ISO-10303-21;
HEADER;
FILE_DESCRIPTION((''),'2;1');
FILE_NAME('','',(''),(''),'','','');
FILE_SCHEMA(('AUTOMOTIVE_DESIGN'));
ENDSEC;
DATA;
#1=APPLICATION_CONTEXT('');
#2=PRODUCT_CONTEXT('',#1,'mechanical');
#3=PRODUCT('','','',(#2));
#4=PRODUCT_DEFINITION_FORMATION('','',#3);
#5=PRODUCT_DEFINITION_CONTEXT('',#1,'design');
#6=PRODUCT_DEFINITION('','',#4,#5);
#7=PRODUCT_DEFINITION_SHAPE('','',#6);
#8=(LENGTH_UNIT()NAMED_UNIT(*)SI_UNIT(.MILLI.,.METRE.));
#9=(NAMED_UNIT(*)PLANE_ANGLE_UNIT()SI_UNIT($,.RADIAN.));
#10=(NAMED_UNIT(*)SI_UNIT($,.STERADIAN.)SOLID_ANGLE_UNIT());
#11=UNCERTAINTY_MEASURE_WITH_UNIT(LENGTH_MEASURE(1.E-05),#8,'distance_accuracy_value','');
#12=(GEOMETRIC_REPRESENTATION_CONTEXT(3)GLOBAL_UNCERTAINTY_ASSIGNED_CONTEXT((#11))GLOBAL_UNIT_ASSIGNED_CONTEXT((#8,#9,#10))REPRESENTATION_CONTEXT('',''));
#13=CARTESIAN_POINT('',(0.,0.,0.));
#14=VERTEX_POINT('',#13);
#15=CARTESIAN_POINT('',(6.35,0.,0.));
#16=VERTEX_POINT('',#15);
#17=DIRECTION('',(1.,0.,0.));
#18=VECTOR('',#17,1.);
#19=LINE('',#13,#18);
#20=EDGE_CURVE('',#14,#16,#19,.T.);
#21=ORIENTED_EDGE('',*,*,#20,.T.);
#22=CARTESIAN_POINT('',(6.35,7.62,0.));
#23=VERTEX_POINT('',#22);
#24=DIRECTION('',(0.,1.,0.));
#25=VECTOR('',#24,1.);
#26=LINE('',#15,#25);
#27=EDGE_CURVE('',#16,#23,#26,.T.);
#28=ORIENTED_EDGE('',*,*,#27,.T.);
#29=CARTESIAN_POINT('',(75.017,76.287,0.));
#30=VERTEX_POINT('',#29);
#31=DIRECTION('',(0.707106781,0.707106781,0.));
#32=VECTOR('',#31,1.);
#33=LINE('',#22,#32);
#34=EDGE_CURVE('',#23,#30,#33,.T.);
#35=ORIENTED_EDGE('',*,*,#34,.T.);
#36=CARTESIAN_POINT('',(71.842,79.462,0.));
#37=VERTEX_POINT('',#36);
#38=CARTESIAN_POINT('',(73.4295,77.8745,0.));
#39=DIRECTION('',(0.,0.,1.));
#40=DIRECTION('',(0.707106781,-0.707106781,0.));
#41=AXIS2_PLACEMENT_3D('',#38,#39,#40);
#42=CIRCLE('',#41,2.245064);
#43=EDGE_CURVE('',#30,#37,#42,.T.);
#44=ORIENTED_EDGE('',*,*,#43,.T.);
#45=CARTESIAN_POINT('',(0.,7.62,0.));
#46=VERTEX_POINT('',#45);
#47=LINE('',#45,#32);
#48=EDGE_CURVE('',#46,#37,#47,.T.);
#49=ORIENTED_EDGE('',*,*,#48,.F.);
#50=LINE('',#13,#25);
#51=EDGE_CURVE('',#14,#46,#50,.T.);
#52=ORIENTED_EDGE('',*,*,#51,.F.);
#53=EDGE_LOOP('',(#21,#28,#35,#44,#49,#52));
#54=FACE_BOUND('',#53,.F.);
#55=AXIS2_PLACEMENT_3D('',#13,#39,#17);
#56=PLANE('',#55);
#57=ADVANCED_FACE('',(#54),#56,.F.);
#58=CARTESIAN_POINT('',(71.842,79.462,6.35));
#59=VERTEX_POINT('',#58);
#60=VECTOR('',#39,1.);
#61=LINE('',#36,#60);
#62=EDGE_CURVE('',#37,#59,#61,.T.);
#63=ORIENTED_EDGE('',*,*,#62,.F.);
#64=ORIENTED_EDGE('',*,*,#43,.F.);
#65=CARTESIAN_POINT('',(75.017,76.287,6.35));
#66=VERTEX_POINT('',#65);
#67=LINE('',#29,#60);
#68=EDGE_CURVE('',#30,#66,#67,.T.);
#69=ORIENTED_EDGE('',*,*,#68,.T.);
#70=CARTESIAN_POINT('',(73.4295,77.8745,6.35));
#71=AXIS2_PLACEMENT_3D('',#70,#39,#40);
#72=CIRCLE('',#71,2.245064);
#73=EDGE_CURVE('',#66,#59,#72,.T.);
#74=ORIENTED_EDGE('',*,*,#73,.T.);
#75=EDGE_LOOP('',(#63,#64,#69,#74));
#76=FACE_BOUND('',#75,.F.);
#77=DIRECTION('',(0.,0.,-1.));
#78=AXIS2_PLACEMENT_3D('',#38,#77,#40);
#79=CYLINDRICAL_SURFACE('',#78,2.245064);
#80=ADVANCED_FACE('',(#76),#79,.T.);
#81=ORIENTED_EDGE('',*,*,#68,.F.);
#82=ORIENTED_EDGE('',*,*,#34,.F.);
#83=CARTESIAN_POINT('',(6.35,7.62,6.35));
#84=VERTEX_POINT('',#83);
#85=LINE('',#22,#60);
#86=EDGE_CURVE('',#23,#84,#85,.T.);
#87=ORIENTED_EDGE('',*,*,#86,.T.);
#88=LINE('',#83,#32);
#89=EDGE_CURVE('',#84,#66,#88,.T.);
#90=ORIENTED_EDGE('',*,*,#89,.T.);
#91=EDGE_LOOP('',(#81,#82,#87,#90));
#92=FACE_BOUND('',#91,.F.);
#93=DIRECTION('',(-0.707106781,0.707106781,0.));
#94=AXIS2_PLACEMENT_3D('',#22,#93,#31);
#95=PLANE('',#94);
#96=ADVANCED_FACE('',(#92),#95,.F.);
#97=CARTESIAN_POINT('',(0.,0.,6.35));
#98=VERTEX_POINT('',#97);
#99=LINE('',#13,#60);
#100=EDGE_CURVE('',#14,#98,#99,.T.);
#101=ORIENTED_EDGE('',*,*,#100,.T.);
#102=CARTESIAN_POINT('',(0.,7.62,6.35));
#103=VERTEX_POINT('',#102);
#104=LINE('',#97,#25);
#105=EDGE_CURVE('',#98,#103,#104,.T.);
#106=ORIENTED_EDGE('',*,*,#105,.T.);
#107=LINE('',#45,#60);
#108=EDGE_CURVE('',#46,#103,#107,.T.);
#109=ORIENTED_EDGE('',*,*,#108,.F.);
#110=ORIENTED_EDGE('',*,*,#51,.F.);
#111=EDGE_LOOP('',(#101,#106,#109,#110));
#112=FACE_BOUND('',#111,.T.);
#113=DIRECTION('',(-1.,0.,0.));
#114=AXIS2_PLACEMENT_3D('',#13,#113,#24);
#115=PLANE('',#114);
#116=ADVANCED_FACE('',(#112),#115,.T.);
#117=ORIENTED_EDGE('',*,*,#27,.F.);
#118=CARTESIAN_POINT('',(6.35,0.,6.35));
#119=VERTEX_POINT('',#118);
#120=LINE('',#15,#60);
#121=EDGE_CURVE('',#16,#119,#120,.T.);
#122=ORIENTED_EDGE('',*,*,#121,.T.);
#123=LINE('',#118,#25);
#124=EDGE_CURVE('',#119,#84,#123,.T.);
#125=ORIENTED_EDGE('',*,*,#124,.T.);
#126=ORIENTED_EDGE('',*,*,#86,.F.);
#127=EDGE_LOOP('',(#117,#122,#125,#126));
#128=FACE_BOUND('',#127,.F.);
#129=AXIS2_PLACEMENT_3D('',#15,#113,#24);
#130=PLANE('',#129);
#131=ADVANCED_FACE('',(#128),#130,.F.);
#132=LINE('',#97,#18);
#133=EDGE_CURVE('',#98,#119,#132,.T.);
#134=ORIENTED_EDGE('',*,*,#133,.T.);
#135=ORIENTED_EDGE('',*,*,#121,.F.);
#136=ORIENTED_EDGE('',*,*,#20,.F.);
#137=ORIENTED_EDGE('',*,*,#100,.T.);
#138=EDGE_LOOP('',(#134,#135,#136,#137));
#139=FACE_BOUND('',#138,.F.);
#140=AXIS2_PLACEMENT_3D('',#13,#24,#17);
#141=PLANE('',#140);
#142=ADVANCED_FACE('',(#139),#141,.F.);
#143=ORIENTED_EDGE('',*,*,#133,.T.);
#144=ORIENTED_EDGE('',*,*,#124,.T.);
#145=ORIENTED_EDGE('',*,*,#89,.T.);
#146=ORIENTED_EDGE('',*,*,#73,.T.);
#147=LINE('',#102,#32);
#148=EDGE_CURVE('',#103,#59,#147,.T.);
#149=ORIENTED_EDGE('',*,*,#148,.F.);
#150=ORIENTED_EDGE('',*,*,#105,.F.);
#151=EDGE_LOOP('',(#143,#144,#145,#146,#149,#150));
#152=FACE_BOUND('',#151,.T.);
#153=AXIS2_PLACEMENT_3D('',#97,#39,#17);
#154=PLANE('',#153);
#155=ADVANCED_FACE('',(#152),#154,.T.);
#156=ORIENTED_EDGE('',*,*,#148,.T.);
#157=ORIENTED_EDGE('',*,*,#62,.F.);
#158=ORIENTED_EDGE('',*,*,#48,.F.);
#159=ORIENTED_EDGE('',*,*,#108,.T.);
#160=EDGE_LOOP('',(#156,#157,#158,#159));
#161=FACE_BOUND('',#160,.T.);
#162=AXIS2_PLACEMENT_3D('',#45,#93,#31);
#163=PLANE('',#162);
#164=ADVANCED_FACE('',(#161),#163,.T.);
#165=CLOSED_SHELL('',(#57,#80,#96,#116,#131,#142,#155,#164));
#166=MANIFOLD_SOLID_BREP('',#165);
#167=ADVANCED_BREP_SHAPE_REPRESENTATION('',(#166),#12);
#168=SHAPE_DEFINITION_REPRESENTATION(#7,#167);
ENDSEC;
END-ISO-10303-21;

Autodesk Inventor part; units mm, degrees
ref_plane "YZ Plane" through (0, 0, 0) normal (1, 0, 0) x (0, 1, 0)
ref_plane "XZ Plane" through (0, 0, 0) normal (0, 1, 0) x (-1, 0, 0)
ref_plane "XY Plane" through (0, 0, 0) normal (0, 0, 1) x (1, 0, 0)
sketch "Sketch1" plane through (0, 0, 0) normal (0, 0, 1) x (1, 0, 0)
  line L0 (0, 0) -> (0, 7.62)
  line L1 (0, 0) -> (6.35, 0)
  line L2 (0, 7.62) -> (73.3235, 7.62) construction
  line L3 (6.35, 0) -> (6.35, 7.62)
  line L4 (6.35, 7.62) -> (13.3564, 7.62) construction
  line L5 (0, 7.62) -> (71.842, 79.462)
  line L6 (6.35, 7.62) -> (75.017, 76.287)
  arc A0 (75.017, 76.287) -> (71.842, 79.462) centre (73.4295, 77.8745) ccw
  dimension "d0" = 7.62
  dimension "d1" = 6.35
  dimension "d8" = 7.62
  dimension "d27" = 101.6
  dimension "d28" = 45
extrude "Extrusion4" add sketch "Sketch1" along normal blind 6.35
properties part number "Funneling_v1"
